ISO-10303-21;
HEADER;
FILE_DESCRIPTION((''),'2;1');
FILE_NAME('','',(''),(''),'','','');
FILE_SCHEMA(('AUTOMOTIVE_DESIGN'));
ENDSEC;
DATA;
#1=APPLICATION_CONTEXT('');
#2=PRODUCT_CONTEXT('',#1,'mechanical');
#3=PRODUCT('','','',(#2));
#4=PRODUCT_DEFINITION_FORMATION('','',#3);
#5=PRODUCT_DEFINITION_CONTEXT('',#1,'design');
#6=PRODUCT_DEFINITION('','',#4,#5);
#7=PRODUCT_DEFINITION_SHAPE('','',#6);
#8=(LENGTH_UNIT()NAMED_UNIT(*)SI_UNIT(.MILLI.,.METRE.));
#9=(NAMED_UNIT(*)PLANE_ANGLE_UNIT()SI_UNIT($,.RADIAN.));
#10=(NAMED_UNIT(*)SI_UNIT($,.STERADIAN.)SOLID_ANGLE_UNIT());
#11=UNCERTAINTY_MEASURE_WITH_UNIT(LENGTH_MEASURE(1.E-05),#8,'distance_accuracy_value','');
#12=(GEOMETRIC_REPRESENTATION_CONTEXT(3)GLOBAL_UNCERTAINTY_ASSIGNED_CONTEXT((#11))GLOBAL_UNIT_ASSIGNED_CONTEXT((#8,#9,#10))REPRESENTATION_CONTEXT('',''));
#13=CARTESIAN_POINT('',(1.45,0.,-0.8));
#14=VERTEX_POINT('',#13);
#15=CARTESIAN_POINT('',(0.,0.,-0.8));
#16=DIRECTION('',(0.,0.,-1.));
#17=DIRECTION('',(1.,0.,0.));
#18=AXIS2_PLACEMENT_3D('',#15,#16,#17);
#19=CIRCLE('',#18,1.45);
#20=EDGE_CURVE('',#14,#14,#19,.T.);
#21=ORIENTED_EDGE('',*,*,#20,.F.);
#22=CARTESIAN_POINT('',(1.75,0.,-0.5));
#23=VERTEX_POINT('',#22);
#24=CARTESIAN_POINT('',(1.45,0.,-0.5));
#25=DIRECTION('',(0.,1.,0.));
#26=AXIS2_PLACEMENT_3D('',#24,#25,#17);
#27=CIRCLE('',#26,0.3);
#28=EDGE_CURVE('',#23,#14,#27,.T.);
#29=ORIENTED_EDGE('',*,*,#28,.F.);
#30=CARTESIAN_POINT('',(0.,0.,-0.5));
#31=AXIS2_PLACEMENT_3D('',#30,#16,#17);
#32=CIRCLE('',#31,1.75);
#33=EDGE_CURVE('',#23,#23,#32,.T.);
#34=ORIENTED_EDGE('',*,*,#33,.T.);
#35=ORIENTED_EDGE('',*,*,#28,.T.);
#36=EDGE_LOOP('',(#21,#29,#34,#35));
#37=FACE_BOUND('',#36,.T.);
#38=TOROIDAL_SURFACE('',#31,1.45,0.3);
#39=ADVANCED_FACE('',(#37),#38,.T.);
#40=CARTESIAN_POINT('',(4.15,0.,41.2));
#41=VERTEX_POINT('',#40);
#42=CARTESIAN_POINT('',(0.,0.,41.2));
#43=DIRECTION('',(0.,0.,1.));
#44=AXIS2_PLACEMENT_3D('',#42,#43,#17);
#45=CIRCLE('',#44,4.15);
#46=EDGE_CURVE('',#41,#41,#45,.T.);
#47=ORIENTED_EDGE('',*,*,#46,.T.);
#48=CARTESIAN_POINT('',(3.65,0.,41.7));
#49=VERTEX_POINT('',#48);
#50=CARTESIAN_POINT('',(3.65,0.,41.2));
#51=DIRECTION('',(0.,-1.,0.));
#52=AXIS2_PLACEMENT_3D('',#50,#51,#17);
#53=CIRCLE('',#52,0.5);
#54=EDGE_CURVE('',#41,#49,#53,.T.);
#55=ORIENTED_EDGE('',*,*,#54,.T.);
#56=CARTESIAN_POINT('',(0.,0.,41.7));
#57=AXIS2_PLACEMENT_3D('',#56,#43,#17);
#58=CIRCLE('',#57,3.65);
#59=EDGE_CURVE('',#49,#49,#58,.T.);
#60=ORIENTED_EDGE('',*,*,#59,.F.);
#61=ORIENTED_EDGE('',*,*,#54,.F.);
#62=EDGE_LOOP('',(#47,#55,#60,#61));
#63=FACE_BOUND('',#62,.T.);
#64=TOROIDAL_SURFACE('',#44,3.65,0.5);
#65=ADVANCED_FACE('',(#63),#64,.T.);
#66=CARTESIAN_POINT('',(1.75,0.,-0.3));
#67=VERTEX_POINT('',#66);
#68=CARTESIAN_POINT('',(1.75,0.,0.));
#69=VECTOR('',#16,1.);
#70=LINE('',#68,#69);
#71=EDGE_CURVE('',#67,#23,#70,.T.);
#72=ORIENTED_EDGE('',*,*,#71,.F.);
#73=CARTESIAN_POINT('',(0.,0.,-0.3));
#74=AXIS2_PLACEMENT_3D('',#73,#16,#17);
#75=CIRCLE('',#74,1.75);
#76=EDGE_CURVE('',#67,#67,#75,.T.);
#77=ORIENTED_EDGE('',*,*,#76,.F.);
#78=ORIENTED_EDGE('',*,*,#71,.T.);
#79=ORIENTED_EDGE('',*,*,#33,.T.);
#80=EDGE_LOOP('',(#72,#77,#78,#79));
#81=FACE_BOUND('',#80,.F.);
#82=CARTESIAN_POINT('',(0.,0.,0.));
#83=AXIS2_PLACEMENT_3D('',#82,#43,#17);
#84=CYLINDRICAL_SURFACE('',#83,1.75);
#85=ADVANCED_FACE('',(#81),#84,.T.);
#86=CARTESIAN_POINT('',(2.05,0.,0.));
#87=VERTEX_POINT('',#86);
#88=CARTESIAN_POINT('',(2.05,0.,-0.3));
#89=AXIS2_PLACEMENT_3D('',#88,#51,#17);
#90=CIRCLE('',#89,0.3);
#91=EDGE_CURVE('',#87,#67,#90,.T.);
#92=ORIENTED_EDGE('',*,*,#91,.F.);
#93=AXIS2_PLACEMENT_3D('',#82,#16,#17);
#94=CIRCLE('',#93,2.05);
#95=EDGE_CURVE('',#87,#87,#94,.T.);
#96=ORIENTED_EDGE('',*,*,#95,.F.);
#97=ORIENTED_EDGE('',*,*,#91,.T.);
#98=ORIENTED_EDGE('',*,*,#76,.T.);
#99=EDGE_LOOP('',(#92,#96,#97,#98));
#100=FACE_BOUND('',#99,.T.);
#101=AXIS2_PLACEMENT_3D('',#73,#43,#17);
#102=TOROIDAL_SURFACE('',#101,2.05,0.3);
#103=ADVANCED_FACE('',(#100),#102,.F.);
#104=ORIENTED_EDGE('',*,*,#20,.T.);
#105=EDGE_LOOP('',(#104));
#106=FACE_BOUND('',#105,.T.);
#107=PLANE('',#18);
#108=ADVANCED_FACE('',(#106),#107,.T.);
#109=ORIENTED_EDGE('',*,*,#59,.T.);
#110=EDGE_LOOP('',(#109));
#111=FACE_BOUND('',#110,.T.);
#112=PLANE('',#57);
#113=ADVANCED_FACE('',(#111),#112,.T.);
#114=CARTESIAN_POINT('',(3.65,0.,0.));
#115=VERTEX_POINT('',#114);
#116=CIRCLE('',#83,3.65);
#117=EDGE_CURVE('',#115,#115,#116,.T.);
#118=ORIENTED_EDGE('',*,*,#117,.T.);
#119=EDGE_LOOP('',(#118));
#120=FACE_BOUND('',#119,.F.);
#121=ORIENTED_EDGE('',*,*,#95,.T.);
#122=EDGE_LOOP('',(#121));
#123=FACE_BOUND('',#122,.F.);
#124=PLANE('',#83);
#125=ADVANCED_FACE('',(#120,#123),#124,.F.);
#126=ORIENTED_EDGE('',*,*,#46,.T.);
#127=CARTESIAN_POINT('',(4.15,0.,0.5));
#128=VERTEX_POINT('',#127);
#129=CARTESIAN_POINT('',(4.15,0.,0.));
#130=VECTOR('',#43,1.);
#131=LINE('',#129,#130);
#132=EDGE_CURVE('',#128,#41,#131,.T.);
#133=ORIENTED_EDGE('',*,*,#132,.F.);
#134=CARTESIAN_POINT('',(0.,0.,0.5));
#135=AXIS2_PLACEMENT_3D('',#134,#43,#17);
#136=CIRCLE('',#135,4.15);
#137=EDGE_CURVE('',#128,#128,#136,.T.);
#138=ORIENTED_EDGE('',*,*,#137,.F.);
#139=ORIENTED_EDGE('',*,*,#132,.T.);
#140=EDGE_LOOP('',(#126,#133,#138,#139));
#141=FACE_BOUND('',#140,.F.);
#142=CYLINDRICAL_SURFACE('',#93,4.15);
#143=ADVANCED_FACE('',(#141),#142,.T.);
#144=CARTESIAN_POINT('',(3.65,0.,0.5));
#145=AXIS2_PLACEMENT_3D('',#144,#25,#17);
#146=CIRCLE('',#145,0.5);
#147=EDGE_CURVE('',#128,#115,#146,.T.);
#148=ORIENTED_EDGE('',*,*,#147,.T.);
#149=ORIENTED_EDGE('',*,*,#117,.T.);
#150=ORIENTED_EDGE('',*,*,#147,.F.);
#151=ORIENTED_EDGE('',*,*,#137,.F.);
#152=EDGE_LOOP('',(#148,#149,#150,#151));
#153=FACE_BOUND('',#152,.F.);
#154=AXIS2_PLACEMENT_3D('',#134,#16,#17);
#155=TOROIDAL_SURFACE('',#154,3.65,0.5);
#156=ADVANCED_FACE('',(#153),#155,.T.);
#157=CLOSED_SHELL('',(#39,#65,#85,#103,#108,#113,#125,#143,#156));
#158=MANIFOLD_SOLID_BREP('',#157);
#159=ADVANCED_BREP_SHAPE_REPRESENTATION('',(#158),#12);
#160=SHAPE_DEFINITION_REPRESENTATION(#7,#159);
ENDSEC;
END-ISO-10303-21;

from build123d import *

# Parameters (mm, degrees)
F0_R     = 4.15
F1_DEPTH = 41.7
F2_R     = 1.75
F3_DEPTH = 0.8
F4_R     = 0.5
F5_R     = 0.5
F6_R     = 0.3


with BuildPart() as f1:
    # F0 (on Top) → F1 (new body)
    with BuildSketch(Plane.XY):
        Circle(F0_R)
    extrude(amount=F1_DEPTH)

    # F2 (on face) → F3 (join)
    with BuildSketch(Plane(origin=(0, 0, 0), x_dir=(1, 0, 0), z_dir=(0, 0, -1))):
        Circle(F2_R)
    extrude(amount=F3_DEPTH)

    # F4
    f4_edges = [f1.edges().sort_by_distance(p)[0] for p in [
        (-4.15, 0, 0),
    ]]
    fillet(f4_edges, radius=F4_R)

    # F5
    f5_edges = [f1.edges().sort_by_distance(p)[0] for p in [
        (-4.15, 0, 41.7),
    ]]
    fillet(f5_edges, radius=F5_R)

    # F6
    f6_edges = [f1.edges().sort_by_distance(p)[0] for p in [
        (-1.75, 0, -0.8),
        (-1.75, 0, 0),
    ]]
    fillet(f6_edges, radius=F6_R)


solid = f1.part
